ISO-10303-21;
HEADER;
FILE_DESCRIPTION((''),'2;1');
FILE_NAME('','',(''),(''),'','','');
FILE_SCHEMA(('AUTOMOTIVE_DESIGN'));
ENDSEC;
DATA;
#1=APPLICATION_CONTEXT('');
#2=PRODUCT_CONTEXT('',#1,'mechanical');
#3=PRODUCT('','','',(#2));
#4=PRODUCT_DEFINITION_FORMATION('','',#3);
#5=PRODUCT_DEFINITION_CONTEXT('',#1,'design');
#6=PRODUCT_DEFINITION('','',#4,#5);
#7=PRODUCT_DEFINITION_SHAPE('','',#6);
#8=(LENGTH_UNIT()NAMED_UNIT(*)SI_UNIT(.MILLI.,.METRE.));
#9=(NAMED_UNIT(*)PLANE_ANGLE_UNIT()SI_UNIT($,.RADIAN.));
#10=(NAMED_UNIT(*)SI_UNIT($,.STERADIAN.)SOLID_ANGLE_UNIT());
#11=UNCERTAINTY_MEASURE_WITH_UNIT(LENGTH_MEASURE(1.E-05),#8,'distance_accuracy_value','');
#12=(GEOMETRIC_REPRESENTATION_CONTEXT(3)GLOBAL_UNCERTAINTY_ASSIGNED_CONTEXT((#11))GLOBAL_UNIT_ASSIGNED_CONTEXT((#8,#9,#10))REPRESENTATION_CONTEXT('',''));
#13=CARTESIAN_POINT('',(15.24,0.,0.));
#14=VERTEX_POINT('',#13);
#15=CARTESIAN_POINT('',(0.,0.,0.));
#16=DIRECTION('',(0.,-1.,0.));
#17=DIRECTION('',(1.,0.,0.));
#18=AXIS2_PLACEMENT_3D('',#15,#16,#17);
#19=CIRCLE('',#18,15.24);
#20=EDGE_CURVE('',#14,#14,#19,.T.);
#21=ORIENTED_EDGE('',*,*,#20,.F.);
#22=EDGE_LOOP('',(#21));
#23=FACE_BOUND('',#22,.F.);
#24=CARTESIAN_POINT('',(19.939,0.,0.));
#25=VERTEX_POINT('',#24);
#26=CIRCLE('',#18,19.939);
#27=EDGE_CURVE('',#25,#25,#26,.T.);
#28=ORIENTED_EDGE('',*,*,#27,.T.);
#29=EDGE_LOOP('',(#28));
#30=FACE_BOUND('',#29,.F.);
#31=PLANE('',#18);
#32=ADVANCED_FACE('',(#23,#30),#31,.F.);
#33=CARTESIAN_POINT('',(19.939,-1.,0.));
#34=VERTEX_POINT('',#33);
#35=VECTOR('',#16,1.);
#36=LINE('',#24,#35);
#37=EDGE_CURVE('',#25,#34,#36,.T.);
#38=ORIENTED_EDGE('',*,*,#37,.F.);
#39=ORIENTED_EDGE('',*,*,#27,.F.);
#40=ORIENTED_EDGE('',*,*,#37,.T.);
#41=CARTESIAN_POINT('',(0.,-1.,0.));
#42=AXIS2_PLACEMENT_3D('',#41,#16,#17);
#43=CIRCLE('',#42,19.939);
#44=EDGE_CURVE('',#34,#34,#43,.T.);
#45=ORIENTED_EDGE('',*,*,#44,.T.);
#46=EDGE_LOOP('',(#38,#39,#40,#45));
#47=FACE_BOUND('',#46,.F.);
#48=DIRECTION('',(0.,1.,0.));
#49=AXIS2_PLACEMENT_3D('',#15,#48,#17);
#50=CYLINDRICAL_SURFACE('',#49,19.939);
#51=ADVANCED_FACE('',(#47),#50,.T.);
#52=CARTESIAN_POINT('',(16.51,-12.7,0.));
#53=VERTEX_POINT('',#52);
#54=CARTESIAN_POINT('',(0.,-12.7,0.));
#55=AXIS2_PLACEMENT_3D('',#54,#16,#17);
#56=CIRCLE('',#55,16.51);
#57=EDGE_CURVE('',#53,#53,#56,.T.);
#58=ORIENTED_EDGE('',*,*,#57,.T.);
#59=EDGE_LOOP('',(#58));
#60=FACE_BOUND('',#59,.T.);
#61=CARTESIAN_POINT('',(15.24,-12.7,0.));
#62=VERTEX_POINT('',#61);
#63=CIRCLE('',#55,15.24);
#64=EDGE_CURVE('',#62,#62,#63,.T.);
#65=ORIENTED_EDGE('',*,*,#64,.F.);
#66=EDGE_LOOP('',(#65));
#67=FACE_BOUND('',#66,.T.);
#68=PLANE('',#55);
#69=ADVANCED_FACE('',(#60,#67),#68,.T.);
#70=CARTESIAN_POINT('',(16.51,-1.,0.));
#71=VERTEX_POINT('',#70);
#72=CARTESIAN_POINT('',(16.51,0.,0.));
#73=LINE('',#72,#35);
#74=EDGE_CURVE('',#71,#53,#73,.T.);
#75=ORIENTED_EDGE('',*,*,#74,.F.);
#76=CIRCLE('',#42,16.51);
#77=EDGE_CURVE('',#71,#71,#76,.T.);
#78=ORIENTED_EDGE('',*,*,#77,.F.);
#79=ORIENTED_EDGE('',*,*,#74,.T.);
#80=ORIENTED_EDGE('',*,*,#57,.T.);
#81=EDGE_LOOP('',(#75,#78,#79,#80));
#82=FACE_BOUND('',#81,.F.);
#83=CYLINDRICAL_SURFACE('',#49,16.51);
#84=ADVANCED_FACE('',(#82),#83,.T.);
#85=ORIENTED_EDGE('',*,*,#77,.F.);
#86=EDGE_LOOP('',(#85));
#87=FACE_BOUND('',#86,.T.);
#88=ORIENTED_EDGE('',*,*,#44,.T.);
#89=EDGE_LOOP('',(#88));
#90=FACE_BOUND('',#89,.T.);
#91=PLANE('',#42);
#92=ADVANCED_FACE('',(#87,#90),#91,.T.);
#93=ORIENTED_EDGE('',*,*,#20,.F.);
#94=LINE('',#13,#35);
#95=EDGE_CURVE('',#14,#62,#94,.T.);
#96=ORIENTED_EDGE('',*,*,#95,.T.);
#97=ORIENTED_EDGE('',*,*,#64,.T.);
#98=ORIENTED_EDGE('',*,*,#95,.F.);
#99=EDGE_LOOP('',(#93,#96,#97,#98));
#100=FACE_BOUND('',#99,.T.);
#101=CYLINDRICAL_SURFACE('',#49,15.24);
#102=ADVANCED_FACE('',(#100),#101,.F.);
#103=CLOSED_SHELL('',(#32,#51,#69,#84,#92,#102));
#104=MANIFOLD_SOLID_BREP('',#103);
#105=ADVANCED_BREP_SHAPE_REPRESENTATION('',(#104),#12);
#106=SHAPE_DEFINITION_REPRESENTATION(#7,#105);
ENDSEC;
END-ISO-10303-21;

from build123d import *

# Parameters (mm, degrees)
F0_R     = 19.939
F0_R_2   = 16.51
F1_DEPTH = 1
F2_R     = 16.51
F2_R_2   = 15.24
F3_DEPTH = 12.7


with BuildPart() as f1:
    # F0 (on Front) → F1 (new body)
    with BuildSketch(Plane.XZ):
        Circle(F0_R)
        Circle(F0_R_2, mode=Mode.SUBTRACT)
    extrude(amount=F1_DEPTH)

    # F2 (on Front) → F3 (join)
    with BuildSketch(Plane.XZ):
        Circle(F2_R)
        Circle(F2_R_2, mode=Mode.SUBTRACT)
    extrude(amount=F3_DEPTH)


solid = f1.part
